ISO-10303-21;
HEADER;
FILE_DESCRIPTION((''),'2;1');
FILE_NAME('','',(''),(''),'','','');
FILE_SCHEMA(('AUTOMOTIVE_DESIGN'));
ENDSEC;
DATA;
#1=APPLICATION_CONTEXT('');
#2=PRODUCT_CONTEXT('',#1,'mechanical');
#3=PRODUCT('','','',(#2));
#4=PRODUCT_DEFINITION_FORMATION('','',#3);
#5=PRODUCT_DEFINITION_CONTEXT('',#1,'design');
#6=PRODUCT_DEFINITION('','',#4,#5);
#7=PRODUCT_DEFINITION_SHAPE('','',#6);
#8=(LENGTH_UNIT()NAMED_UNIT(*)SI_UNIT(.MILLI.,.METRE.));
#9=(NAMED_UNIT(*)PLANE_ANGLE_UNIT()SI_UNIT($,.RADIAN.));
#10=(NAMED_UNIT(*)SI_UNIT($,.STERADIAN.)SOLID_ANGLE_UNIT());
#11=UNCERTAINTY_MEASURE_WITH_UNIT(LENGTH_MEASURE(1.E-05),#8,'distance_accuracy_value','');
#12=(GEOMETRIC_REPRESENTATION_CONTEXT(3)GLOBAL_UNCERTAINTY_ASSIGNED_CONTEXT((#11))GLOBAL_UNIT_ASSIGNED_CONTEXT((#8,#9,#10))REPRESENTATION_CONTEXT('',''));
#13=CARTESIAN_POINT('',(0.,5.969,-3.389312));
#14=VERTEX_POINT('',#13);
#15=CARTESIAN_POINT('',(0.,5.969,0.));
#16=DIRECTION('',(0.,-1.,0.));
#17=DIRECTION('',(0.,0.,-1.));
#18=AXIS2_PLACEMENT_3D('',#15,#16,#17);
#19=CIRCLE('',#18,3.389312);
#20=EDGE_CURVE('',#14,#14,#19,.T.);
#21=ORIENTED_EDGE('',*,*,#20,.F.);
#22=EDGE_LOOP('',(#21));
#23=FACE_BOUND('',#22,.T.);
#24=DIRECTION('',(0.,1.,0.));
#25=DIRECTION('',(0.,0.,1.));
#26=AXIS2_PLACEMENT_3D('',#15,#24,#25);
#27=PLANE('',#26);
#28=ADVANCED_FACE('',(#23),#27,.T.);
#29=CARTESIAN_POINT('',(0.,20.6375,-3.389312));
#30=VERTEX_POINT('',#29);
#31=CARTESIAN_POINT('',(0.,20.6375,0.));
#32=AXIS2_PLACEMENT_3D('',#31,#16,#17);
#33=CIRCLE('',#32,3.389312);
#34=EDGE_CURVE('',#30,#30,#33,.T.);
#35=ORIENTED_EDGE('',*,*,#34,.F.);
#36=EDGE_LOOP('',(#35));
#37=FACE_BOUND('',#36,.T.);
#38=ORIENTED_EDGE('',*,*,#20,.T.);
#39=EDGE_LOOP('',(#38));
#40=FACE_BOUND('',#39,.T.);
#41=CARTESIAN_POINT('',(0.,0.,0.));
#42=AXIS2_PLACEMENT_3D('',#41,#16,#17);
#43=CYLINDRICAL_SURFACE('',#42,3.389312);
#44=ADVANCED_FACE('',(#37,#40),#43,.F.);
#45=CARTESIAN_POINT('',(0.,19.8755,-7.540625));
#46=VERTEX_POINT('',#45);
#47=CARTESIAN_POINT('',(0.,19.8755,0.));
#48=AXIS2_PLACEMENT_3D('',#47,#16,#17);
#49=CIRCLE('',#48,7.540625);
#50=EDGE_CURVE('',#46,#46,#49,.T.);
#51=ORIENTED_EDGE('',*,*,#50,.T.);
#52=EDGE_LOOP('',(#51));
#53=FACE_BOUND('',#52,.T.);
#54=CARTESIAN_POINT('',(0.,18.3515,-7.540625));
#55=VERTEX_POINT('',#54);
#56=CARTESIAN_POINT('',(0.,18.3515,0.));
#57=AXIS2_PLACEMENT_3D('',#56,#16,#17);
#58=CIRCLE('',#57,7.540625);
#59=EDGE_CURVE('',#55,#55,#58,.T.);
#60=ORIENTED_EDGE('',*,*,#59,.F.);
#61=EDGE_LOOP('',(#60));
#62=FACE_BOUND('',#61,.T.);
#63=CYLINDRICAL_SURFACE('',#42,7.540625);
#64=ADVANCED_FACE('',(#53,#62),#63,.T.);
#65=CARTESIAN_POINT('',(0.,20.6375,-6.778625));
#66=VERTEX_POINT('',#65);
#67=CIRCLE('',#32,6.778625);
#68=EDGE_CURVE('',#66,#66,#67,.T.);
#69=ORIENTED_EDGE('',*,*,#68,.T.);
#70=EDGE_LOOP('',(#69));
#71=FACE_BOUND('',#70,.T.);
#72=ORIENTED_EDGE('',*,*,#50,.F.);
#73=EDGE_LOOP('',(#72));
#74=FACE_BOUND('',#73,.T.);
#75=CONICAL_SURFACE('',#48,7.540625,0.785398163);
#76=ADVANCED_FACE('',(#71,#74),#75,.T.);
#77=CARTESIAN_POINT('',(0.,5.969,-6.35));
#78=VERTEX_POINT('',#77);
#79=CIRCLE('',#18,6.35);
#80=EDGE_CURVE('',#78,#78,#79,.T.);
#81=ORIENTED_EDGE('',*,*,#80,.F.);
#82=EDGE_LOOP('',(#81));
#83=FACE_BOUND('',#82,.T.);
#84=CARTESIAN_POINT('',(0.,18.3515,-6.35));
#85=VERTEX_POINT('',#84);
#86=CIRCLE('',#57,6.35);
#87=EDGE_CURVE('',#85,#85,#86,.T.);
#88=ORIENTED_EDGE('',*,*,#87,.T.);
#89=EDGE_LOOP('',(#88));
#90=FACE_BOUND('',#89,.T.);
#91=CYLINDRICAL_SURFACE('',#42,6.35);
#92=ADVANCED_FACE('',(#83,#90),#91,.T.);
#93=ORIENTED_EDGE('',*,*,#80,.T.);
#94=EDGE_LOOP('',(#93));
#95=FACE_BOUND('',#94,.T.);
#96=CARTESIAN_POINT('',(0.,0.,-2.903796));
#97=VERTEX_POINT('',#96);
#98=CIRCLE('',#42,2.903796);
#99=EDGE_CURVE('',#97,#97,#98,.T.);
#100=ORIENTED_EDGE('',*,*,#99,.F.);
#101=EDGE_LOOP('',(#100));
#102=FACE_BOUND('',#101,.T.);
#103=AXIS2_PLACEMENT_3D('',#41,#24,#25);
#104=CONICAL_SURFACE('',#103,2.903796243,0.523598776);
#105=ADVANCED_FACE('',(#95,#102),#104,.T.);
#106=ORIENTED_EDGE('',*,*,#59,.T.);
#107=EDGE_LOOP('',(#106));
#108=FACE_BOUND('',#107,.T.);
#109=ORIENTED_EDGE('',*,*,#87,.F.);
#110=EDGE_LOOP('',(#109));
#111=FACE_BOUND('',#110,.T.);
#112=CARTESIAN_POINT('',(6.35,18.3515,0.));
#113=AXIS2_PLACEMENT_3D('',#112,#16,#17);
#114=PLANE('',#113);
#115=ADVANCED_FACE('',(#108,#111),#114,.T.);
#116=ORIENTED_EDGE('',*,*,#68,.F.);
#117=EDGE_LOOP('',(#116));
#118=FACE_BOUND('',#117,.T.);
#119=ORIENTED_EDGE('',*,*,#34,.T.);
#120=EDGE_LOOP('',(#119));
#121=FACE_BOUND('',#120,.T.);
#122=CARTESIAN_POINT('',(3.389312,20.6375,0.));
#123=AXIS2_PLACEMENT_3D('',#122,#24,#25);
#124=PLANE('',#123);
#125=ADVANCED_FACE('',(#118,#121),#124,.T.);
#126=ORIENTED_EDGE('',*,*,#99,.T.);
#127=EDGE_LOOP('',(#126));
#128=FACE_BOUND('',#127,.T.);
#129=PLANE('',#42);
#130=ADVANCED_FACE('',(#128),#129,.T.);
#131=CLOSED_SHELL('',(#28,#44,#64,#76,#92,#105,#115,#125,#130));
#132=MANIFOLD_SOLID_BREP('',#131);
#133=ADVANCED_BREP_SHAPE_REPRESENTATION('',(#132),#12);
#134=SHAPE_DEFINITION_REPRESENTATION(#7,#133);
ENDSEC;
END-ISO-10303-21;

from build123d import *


with BuildPart() as part:
    # Sketch1 → Revolve2 (revolve)
    with BuildSketch(Plane.XY, mode=Mode.PRIVATE) as revolve2_sk:
        Polygon((0, 5.969), (3.3893125, 5.969), (3.3893125, 20.6375), (6.778625, 20.6375), (7.540625, 19.8755), (7.540625, 18.3515), (6.35, 18.3515), (6.35, 5.969), (2.903796243, 0), (0, 0), align=None)
    revolve(revolve2_sk.sketch.rotate(Axis((0, 0, 0), (0, 1, 0)), 90), axis=Axis((0, 0, 0), (0, 1, 0)))


solid = part.part
